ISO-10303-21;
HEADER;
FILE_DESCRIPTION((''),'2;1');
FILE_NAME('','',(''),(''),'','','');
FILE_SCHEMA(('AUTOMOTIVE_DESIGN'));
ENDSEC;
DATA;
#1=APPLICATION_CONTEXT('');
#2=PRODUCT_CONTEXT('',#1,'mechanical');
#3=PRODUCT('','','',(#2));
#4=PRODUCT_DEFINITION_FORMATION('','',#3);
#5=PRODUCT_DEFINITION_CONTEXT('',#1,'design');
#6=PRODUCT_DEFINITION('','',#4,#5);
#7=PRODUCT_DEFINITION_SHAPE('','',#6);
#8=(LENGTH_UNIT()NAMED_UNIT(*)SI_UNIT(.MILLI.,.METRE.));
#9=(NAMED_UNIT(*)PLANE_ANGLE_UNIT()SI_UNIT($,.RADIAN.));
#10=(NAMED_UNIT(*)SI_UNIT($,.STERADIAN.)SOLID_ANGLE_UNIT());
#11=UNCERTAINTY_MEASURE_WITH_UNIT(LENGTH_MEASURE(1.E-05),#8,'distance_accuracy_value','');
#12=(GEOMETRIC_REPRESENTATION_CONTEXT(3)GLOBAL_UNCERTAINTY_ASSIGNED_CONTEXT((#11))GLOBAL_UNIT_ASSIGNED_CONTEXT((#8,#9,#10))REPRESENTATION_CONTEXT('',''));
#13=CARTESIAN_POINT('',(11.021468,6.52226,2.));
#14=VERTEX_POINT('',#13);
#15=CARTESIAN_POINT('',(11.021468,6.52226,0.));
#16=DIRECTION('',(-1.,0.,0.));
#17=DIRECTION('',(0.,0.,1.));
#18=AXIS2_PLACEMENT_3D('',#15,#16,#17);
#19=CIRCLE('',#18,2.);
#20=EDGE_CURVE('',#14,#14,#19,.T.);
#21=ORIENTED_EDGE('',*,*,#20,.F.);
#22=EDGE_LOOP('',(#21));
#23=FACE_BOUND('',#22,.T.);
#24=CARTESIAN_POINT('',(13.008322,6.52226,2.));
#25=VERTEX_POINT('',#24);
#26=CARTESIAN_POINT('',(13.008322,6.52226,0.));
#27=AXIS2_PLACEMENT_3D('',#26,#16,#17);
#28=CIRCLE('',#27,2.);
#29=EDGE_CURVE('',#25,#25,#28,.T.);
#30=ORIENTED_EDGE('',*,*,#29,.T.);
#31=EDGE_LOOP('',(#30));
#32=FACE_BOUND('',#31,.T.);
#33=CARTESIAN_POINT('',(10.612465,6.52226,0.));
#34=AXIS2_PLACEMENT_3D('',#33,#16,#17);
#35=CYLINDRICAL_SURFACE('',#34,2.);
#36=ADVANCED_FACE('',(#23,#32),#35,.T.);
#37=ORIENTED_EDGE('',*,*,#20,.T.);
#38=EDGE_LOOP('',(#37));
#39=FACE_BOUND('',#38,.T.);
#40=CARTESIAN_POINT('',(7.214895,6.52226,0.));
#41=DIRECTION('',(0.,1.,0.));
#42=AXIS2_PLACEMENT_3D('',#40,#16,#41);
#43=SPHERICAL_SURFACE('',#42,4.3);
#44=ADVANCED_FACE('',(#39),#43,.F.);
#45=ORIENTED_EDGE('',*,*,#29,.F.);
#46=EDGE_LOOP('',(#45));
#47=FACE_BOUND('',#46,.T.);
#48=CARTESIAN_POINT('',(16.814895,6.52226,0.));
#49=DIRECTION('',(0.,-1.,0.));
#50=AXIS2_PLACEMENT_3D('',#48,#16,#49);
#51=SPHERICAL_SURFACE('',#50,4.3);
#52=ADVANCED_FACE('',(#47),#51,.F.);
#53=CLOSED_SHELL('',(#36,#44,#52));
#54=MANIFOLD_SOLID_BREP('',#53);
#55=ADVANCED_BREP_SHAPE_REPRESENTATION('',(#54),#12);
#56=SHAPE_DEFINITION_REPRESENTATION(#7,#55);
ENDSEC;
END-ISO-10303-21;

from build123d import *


with BuildPart() as part:
    # 草图1 → 旋转1 (revolve)
    with BuildSketch(Plane.XY, mode=Mode.PRIVATE) as revolve_1_sk:
        with BuildLine():
            Line((11.514895005, 6.522260287), (12.514895005, 6.522260287))
            ThreePointArc((12.514895005, 6.522260287), (12.64007375, 7.552244504), (13.008321743, 8.522260287))
            Line((13.008321743, 8.522260287), (12.014895005, 8.522260287))
            Line((12.014895005, 8.522260287), (11.021468267, 8.522260287))
            ThreePointArc((11.021468267, 8.522260287), (11.389716261, 7.552244504), (11.514895005, 6.522260287))
        make_face()
    revolve(revolve_1_sk.sketch.rotate(Axis((10.612465279, 6.522260287, 0), (1, 0, 0)), 90), axis=Axis((10.612465279, 6.522260287, 0), (1, 0, 0)))  # turned: the seam where the file's is


solid = part.part
